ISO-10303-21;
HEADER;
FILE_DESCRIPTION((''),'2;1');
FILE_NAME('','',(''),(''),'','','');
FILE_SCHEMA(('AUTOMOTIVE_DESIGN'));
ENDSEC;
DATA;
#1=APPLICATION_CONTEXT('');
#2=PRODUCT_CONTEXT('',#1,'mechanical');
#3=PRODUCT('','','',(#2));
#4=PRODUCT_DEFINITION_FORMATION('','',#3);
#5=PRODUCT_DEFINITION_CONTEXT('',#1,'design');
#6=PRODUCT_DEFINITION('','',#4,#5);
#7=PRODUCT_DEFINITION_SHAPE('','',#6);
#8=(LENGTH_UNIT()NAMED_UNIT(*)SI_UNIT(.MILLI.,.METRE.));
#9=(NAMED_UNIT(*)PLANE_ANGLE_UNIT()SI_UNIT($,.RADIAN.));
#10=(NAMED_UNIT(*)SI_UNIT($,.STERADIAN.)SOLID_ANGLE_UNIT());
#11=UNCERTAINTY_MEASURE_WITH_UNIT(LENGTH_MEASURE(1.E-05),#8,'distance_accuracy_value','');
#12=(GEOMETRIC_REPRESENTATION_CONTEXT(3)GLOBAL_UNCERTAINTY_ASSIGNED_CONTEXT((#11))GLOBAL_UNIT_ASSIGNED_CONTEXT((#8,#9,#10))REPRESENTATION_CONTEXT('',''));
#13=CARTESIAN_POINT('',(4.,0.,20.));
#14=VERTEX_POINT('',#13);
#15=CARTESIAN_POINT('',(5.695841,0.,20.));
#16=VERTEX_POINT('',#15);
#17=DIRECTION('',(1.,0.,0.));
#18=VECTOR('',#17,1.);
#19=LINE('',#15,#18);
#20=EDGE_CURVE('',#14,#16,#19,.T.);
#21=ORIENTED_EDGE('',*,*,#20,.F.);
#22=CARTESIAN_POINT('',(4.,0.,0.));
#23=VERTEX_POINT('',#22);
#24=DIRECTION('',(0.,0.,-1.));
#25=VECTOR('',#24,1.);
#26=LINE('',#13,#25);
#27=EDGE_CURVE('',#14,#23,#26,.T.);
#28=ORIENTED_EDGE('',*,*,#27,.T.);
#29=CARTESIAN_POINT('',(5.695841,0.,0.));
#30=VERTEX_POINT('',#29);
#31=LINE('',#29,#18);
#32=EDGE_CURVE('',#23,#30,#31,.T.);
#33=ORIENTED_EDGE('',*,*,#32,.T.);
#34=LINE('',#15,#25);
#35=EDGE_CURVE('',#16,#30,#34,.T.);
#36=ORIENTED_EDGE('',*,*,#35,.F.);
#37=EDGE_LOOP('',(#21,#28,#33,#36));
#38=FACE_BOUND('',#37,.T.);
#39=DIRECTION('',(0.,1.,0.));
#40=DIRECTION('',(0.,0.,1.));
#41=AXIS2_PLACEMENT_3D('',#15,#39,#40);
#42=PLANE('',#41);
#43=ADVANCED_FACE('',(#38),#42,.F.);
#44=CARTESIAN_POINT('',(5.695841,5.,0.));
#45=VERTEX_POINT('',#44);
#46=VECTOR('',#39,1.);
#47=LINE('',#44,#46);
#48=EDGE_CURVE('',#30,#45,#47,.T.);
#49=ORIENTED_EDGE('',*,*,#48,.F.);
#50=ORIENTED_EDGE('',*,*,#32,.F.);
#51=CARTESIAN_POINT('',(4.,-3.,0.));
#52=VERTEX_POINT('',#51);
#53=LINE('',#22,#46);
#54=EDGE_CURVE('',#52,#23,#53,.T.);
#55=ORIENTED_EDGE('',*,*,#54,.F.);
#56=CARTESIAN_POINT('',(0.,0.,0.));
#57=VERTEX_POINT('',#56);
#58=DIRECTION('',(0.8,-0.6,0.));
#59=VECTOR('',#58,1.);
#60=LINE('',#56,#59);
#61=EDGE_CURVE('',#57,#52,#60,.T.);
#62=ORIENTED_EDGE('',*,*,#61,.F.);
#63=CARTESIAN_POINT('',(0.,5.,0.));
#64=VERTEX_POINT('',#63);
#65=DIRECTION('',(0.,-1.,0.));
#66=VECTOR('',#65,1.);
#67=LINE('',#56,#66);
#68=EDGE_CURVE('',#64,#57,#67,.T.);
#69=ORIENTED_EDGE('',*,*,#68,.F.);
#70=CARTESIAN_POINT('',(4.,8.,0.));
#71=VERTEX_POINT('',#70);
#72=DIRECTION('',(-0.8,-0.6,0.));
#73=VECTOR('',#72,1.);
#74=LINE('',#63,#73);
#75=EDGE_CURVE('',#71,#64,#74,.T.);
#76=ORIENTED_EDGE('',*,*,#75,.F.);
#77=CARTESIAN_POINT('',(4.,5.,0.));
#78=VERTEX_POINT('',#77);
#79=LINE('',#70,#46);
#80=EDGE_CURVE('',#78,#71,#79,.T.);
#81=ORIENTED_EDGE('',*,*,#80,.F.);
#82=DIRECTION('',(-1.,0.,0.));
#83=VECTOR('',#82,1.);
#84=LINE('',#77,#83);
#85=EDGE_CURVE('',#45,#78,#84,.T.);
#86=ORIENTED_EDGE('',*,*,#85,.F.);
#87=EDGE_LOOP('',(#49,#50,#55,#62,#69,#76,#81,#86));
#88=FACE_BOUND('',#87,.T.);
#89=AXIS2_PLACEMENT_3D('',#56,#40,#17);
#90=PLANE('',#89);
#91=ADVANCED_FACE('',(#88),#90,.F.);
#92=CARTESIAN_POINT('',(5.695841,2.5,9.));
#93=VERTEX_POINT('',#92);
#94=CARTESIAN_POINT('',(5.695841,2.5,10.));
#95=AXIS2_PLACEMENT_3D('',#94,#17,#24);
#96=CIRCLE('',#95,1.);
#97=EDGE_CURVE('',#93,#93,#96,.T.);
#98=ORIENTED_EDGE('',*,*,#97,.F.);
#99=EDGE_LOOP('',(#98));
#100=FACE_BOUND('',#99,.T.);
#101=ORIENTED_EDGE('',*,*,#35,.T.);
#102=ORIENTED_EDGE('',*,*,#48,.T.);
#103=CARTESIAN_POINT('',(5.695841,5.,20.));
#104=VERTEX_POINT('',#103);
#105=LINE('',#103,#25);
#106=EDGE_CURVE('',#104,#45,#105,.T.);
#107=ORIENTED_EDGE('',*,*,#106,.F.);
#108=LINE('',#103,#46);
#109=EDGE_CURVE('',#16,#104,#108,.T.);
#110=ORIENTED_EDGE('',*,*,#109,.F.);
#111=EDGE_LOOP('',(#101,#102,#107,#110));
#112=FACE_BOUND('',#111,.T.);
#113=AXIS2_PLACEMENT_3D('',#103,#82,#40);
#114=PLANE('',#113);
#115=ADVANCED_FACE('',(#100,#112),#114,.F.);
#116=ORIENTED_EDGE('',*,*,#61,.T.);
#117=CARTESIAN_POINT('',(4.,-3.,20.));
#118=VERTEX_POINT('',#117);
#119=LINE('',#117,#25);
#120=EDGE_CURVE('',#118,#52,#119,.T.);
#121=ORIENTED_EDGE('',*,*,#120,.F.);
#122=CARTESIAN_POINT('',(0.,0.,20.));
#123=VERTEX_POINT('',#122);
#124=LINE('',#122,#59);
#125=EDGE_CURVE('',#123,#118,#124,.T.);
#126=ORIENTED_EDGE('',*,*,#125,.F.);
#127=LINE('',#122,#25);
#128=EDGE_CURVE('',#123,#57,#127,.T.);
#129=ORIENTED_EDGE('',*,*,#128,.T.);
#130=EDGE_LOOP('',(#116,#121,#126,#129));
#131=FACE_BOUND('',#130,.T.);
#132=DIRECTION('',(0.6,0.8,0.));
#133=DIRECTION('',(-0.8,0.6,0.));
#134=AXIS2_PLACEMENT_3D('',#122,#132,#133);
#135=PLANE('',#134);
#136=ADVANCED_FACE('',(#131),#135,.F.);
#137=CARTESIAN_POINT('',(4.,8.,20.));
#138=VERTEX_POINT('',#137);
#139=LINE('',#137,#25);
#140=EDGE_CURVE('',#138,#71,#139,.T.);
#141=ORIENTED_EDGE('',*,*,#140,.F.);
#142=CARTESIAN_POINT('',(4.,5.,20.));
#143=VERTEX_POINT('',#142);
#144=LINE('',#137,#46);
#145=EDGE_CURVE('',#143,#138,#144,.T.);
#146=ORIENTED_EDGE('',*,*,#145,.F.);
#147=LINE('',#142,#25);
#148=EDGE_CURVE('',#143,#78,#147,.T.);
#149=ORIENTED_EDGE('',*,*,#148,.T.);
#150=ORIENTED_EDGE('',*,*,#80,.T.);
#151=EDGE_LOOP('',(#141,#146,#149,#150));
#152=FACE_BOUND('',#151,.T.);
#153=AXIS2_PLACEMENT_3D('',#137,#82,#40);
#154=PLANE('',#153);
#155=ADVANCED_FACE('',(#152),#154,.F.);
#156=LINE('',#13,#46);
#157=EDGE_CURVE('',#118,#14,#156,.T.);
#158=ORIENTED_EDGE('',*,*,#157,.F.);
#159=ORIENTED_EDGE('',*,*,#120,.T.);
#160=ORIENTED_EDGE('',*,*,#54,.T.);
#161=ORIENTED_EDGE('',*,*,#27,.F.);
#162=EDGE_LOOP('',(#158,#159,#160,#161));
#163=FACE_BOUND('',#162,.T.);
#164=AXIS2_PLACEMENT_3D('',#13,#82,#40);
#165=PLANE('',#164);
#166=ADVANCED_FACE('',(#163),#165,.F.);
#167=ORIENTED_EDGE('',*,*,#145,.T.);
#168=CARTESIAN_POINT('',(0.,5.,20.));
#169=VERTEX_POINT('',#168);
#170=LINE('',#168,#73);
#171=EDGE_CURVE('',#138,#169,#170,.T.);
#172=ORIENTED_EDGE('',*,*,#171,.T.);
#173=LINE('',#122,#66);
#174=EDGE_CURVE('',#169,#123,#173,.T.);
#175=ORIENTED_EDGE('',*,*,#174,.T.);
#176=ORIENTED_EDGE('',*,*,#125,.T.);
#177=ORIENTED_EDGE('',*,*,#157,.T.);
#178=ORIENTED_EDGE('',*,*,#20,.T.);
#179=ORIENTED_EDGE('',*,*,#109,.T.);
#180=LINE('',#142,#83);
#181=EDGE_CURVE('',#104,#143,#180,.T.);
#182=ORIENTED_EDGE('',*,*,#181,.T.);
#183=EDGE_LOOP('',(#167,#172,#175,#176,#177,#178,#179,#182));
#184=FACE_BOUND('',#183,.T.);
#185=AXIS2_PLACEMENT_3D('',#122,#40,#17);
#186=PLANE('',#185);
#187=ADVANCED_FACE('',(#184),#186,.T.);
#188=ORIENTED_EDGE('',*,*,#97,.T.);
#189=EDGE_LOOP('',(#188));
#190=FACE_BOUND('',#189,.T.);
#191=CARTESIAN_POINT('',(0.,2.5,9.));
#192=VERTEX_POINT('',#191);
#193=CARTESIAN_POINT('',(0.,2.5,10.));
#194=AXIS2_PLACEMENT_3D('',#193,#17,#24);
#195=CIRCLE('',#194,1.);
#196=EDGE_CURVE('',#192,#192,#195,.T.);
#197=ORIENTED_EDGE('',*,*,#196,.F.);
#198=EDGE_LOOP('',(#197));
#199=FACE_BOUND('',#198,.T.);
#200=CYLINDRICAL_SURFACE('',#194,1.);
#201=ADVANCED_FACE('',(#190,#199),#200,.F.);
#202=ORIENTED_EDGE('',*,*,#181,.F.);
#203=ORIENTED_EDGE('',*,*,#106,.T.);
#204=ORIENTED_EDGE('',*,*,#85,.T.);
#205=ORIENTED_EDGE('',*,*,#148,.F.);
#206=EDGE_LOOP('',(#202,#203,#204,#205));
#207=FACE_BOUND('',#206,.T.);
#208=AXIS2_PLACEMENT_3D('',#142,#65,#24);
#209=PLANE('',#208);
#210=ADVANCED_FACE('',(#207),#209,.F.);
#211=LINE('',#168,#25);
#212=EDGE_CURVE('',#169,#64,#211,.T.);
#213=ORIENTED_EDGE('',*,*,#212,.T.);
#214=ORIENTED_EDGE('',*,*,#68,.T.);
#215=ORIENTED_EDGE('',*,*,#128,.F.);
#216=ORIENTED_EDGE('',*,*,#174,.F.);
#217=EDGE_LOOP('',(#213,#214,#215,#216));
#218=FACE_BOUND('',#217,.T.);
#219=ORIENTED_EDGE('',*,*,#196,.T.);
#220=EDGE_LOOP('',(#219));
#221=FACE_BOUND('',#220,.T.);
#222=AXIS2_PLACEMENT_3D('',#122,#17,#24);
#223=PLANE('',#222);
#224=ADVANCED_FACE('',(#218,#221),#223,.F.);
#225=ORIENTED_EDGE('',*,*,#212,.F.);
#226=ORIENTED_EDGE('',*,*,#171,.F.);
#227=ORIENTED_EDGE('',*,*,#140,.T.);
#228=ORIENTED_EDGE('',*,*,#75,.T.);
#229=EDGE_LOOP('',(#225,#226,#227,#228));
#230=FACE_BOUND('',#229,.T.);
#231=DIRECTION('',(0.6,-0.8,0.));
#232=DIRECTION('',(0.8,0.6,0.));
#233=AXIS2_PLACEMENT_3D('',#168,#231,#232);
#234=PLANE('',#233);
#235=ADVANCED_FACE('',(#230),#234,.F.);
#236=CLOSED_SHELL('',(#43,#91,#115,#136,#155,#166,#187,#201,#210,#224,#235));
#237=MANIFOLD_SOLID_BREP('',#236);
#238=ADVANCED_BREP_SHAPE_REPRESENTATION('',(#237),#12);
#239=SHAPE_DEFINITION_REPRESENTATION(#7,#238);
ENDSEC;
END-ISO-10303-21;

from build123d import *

# Parameters (mm, degrees)
BOSS_EXTRU_1_DEPTH      = 20
ESQUISSE1_R             = 1
ENL_V_MAT_EXTRU_1_DEPTH = 6.695841166


with BuildPart() as part:
    # ProfileRainureEsquisse → Boss.-Extru.1 (new body)
    with BuildSketch(Plane.XY):
        Polygon((0, 0), (0, 5), (4, 8), (4, 5), (5.695841166, 5), (5.695841166, 0), (4, 0), (4, -3), align=None)
    extrude(amount=BOSS_EXTRU_1_DEPTH)

    # Esquisse1 → Enlèv. mat.-Extru.1 (cut, through all)
    with BuildSketch(Plane(origin=(5.695841166, 0, 0), x_dir=(0, 0, -1), z_dir=(1, 0, 0))):
        with Locations((-10, 2.5)):
            Circle(ESQUISSE1_R)
    extrude(amount=-ENL_V_MAT_EXTRU_1_DEPTH, mode=Mode.SUBTRACT)


solid = part.part
